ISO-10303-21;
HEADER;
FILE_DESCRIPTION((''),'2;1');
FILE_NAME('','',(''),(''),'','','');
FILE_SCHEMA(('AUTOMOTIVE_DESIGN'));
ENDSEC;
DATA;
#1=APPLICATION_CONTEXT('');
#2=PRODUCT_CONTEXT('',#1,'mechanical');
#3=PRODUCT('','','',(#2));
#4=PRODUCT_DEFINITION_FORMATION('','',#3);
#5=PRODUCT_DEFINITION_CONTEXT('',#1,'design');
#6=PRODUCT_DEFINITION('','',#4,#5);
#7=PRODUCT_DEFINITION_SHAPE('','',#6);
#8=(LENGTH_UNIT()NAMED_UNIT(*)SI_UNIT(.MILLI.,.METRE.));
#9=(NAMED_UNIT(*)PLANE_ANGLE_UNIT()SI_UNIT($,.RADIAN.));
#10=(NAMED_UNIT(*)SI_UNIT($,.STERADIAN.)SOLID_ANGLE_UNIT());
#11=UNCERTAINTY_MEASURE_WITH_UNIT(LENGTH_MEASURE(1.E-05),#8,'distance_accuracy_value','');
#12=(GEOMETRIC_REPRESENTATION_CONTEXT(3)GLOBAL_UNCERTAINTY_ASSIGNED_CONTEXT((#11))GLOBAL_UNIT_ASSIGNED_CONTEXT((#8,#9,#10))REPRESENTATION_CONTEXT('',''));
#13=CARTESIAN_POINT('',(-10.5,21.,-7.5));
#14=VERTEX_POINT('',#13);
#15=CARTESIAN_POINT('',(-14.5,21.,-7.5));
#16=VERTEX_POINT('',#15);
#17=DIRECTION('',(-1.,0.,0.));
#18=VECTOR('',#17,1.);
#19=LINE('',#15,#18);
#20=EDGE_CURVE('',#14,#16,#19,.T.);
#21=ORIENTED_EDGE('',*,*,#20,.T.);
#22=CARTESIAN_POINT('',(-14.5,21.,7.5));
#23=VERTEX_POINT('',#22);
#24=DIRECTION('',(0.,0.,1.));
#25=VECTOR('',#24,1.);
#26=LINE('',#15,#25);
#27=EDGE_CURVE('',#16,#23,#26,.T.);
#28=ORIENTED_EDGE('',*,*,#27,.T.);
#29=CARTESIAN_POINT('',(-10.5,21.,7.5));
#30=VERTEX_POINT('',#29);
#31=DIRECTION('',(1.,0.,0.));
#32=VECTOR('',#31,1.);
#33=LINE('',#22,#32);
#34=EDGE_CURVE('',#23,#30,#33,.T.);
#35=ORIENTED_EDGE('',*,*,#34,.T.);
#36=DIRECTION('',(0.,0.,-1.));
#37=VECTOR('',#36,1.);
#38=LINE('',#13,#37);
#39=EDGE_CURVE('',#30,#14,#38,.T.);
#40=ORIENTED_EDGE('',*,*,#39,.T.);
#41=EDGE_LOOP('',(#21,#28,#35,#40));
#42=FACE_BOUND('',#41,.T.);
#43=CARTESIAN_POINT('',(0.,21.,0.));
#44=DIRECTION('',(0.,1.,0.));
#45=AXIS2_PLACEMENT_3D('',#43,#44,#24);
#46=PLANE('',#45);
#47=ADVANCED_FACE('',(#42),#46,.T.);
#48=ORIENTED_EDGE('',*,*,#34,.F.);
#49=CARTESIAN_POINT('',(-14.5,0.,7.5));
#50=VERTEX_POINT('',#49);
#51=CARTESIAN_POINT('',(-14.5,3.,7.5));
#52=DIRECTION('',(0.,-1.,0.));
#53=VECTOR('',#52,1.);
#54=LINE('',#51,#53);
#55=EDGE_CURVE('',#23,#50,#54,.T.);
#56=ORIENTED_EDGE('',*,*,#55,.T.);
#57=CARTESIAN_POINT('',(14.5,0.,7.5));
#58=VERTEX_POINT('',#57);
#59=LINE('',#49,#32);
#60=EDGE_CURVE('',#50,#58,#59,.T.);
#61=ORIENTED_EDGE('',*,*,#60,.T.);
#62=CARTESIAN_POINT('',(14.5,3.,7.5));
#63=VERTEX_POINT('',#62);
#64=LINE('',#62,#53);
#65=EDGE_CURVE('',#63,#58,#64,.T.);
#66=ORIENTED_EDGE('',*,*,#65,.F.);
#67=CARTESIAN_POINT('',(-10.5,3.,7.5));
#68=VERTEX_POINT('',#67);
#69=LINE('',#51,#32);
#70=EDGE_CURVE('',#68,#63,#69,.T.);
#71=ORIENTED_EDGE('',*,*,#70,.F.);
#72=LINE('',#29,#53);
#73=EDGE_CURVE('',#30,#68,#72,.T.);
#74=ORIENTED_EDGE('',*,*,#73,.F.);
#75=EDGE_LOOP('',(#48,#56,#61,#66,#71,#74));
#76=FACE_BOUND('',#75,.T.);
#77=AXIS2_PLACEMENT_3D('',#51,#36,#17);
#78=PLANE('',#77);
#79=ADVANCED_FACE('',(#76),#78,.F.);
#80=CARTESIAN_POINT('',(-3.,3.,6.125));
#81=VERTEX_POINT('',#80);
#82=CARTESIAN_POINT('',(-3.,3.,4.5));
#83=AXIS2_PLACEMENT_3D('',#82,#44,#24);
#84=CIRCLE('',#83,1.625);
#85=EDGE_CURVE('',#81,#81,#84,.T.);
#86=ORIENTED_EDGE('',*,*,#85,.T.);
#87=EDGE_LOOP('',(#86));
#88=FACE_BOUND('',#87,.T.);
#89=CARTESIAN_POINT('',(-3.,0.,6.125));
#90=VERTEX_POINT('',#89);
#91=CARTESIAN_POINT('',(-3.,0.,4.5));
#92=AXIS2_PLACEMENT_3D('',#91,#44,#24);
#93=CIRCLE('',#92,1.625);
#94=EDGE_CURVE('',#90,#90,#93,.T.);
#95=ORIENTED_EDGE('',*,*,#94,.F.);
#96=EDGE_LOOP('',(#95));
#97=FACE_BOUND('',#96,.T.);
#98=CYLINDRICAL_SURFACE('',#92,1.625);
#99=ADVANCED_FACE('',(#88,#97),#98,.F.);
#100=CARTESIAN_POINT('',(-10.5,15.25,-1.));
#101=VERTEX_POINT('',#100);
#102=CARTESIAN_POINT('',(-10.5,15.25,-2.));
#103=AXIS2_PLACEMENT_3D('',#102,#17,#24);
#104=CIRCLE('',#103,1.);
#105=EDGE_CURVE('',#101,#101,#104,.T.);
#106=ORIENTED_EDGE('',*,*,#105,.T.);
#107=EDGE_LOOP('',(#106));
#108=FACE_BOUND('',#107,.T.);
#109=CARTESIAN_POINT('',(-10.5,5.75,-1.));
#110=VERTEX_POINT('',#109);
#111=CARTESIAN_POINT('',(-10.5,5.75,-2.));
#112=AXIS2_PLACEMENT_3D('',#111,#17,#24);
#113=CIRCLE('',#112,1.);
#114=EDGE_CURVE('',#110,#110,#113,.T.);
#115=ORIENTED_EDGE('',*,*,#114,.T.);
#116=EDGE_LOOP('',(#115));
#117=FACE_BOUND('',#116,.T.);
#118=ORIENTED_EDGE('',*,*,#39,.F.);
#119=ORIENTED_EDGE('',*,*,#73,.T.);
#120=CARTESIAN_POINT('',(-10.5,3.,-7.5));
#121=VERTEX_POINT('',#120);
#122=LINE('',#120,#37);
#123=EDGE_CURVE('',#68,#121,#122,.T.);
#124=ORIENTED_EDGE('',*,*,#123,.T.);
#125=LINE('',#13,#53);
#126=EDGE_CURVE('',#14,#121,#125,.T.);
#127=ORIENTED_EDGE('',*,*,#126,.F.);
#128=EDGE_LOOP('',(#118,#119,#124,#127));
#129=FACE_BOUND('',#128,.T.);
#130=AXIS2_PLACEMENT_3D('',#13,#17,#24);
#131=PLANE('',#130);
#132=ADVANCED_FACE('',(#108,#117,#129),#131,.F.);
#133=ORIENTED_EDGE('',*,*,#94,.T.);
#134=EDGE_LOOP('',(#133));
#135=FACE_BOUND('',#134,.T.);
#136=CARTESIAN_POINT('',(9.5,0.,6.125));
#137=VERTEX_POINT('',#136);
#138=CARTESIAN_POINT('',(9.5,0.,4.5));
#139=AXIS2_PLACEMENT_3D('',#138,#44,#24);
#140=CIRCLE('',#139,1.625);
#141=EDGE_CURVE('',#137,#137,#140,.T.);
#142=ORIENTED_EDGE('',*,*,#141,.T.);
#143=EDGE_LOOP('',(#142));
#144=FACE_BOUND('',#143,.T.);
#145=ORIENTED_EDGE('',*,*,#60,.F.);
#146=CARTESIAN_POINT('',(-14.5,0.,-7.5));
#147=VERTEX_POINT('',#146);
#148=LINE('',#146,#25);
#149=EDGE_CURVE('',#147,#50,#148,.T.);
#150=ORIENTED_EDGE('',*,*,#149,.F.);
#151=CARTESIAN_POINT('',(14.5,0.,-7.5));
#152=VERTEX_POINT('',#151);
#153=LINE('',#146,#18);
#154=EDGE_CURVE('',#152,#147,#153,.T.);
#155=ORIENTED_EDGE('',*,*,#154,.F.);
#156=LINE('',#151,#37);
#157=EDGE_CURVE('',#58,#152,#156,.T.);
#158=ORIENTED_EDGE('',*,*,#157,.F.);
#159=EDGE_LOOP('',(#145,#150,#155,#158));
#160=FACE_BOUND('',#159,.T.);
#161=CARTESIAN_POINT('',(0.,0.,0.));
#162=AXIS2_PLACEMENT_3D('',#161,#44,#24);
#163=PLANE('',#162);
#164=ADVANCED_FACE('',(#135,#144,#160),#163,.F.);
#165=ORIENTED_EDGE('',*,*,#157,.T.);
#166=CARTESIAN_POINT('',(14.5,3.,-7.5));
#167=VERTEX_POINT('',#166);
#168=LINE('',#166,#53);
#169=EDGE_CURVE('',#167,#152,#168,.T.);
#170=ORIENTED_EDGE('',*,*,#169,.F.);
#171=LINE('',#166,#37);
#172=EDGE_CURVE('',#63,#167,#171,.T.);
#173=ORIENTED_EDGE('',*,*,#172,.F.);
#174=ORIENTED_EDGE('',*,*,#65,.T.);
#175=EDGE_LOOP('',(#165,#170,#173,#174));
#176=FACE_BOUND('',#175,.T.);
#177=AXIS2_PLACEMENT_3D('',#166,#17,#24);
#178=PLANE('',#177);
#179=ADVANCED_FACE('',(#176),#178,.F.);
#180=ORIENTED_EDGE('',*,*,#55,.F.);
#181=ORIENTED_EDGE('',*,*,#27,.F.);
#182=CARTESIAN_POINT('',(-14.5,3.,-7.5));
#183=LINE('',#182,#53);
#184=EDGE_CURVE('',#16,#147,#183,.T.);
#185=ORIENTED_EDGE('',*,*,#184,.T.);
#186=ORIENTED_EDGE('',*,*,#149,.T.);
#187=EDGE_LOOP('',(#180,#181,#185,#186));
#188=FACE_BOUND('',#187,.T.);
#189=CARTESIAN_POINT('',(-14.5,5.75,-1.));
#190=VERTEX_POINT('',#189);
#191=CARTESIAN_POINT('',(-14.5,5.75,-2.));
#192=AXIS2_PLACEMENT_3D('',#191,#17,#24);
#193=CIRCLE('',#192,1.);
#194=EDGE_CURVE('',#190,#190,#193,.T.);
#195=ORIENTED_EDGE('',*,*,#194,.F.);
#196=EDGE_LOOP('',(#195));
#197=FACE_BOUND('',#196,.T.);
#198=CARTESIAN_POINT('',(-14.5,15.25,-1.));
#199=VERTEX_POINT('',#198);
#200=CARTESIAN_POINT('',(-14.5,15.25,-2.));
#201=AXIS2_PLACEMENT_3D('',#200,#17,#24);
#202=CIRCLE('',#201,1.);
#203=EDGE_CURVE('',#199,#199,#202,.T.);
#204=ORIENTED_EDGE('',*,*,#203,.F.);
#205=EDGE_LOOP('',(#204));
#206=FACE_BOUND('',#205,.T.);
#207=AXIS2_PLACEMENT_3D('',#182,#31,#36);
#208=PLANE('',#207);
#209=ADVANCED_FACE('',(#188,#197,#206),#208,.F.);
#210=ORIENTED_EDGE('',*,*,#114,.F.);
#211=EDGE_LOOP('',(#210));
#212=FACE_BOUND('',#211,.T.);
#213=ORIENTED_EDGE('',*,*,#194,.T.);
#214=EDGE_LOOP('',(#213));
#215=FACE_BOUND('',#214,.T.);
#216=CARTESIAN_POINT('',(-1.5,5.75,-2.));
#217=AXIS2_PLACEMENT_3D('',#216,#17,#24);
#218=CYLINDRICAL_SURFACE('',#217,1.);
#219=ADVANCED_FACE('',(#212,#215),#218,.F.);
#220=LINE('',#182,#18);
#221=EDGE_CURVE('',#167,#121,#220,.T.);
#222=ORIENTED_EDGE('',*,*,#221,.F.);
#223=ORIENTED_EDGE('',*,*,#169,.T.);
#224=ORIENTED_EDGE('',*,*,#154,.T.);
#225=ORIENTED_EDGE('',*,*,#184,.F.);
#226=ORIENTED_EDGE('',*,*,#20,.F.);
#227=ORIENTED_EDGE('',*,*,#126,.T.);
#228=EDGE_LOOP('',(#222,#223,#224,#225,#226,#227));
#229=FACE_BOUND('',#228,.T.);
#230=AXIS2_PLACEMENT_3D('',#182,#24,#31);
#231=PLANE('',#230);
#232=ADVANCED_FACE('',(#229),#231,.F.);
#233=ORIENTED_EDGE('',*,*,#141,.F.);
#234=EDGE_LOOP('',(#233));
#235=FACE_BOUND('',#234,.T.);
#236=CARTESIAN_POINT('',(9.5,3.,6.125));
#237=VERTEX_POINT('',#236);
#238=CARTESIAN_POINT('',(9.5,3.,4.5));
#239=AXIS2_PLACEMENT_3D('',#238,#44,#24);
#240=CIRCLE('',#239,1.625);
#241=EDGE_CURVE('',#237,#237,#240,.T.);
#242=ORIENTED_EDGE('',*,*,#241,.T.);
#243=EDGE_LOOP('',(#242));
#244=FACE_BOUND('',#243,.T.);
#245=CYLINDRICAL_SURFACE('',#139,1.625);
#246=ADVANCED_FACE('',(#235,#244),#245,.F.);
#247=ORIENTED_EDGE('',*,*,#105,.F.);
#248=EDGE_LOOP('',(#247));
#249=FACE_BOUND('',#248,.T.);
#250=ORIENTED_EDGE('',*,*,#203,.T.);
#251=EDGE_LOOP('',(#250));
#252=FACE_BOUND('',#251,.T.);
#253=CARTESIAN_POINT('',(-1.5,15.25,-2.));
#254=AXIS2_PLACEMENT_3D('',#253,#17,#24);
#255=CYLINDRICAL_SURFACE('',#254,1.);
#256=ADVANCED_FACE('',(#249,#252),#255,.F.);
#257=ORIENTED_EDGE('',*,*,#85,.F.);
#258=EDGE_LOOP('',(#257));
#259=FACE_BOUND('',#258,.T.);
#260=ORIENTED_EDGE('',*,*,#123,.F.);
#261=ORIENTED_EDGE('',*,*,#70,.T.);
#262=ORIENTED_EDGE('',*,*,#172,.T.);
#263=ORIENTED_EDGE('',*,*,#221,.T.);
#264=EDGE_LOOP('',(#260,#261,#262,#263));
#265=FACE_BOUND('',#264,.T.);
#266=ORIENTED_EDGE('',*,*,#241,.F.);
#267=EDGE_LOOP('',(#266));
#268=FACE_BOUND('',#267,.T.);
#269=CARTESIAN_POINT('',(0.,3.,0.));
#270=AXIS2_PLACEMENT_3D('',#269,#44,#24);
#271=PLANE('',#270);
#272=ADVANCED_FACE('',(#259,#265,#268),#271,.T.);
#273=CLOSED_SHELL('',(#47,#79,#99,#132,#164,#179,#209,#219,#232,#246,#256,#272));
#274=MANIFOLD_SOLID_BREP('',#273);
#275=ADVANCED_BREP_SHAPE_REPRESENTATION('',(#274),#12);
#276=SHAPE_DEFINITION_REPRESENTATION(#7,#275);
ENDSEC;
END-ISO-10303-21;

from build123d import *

# Parameters (mm, degrees)
SKETCH1_W           = 29
SKETCH1_H           = 15
BOSS_EXTRUDE1_DEPTH = 3
SKETCH3_R           = 1.625
CUT_EXTRUDE2_DEPTH  = 4
SKETCH4_W           = 4
SKETCH4_H           = 15
BOSS_EXTRUDE2_DEPTH = 18
SKETCH5_R           = 1
CUT_EXTRUDE3_DEPTH  = 13


with BuildPart() as part:
    # Sketch1 → Boss-Extrude1 (new body)
    with BuildSketch(Plane(origin=(0, 0, 0), x_dir=(1, 0, 0), z_dir=(0, 1, 0))):
        Rectangle(SKETCH1_W, SKETCH1_H)
    extrude(amount=BOSS_EXTRUDE1_DEPTH)

    # Sketch3 → Cut-Extrude2 (cut, through all)
    with BuildSketch(Plane(origin=(0, 3, 0), x_dir=(1, 0, 0), z_dir=(0, 1, 0))):
        with Locations((-3, -4.5)):
            Circle(SKETCH3_R)
        with Locations((9.5, -4.5)):
            Circle(SKETCH3_R)
    extrude(amount=-CUT_EXTRUDE2_DEPTH, mode=Mode.SUBTRACT)

    # Sketch4 → Boss-Extrude2 (add)
    with BuildSketch(Plane(origin=(0, 3, 0), x_dir=(1, 0, 0), z_dir=(0, 1, 0))):
        with Locations((-12.5, 0)):
            Rectangle(SKETCH4_W, SKETCH4_H)
    extrude(amount=BOSS_EXTRUDE2_DEPTH)

    # Sketch5 → Cut-Extrude3 (cut)
    with BuildSketch(Plane.ZY.offset(14.5)):
        with Locations((-2, 15.25)):
            Circle(SKETCH5_R)
        with Locations((-2, 5.75)):
            Circle(SKETCH5_R)
    extrude(amount=-CUT_EXTRUDE3_DEPTH, mode=Mode.SUBTRACT)


solid = part.part
